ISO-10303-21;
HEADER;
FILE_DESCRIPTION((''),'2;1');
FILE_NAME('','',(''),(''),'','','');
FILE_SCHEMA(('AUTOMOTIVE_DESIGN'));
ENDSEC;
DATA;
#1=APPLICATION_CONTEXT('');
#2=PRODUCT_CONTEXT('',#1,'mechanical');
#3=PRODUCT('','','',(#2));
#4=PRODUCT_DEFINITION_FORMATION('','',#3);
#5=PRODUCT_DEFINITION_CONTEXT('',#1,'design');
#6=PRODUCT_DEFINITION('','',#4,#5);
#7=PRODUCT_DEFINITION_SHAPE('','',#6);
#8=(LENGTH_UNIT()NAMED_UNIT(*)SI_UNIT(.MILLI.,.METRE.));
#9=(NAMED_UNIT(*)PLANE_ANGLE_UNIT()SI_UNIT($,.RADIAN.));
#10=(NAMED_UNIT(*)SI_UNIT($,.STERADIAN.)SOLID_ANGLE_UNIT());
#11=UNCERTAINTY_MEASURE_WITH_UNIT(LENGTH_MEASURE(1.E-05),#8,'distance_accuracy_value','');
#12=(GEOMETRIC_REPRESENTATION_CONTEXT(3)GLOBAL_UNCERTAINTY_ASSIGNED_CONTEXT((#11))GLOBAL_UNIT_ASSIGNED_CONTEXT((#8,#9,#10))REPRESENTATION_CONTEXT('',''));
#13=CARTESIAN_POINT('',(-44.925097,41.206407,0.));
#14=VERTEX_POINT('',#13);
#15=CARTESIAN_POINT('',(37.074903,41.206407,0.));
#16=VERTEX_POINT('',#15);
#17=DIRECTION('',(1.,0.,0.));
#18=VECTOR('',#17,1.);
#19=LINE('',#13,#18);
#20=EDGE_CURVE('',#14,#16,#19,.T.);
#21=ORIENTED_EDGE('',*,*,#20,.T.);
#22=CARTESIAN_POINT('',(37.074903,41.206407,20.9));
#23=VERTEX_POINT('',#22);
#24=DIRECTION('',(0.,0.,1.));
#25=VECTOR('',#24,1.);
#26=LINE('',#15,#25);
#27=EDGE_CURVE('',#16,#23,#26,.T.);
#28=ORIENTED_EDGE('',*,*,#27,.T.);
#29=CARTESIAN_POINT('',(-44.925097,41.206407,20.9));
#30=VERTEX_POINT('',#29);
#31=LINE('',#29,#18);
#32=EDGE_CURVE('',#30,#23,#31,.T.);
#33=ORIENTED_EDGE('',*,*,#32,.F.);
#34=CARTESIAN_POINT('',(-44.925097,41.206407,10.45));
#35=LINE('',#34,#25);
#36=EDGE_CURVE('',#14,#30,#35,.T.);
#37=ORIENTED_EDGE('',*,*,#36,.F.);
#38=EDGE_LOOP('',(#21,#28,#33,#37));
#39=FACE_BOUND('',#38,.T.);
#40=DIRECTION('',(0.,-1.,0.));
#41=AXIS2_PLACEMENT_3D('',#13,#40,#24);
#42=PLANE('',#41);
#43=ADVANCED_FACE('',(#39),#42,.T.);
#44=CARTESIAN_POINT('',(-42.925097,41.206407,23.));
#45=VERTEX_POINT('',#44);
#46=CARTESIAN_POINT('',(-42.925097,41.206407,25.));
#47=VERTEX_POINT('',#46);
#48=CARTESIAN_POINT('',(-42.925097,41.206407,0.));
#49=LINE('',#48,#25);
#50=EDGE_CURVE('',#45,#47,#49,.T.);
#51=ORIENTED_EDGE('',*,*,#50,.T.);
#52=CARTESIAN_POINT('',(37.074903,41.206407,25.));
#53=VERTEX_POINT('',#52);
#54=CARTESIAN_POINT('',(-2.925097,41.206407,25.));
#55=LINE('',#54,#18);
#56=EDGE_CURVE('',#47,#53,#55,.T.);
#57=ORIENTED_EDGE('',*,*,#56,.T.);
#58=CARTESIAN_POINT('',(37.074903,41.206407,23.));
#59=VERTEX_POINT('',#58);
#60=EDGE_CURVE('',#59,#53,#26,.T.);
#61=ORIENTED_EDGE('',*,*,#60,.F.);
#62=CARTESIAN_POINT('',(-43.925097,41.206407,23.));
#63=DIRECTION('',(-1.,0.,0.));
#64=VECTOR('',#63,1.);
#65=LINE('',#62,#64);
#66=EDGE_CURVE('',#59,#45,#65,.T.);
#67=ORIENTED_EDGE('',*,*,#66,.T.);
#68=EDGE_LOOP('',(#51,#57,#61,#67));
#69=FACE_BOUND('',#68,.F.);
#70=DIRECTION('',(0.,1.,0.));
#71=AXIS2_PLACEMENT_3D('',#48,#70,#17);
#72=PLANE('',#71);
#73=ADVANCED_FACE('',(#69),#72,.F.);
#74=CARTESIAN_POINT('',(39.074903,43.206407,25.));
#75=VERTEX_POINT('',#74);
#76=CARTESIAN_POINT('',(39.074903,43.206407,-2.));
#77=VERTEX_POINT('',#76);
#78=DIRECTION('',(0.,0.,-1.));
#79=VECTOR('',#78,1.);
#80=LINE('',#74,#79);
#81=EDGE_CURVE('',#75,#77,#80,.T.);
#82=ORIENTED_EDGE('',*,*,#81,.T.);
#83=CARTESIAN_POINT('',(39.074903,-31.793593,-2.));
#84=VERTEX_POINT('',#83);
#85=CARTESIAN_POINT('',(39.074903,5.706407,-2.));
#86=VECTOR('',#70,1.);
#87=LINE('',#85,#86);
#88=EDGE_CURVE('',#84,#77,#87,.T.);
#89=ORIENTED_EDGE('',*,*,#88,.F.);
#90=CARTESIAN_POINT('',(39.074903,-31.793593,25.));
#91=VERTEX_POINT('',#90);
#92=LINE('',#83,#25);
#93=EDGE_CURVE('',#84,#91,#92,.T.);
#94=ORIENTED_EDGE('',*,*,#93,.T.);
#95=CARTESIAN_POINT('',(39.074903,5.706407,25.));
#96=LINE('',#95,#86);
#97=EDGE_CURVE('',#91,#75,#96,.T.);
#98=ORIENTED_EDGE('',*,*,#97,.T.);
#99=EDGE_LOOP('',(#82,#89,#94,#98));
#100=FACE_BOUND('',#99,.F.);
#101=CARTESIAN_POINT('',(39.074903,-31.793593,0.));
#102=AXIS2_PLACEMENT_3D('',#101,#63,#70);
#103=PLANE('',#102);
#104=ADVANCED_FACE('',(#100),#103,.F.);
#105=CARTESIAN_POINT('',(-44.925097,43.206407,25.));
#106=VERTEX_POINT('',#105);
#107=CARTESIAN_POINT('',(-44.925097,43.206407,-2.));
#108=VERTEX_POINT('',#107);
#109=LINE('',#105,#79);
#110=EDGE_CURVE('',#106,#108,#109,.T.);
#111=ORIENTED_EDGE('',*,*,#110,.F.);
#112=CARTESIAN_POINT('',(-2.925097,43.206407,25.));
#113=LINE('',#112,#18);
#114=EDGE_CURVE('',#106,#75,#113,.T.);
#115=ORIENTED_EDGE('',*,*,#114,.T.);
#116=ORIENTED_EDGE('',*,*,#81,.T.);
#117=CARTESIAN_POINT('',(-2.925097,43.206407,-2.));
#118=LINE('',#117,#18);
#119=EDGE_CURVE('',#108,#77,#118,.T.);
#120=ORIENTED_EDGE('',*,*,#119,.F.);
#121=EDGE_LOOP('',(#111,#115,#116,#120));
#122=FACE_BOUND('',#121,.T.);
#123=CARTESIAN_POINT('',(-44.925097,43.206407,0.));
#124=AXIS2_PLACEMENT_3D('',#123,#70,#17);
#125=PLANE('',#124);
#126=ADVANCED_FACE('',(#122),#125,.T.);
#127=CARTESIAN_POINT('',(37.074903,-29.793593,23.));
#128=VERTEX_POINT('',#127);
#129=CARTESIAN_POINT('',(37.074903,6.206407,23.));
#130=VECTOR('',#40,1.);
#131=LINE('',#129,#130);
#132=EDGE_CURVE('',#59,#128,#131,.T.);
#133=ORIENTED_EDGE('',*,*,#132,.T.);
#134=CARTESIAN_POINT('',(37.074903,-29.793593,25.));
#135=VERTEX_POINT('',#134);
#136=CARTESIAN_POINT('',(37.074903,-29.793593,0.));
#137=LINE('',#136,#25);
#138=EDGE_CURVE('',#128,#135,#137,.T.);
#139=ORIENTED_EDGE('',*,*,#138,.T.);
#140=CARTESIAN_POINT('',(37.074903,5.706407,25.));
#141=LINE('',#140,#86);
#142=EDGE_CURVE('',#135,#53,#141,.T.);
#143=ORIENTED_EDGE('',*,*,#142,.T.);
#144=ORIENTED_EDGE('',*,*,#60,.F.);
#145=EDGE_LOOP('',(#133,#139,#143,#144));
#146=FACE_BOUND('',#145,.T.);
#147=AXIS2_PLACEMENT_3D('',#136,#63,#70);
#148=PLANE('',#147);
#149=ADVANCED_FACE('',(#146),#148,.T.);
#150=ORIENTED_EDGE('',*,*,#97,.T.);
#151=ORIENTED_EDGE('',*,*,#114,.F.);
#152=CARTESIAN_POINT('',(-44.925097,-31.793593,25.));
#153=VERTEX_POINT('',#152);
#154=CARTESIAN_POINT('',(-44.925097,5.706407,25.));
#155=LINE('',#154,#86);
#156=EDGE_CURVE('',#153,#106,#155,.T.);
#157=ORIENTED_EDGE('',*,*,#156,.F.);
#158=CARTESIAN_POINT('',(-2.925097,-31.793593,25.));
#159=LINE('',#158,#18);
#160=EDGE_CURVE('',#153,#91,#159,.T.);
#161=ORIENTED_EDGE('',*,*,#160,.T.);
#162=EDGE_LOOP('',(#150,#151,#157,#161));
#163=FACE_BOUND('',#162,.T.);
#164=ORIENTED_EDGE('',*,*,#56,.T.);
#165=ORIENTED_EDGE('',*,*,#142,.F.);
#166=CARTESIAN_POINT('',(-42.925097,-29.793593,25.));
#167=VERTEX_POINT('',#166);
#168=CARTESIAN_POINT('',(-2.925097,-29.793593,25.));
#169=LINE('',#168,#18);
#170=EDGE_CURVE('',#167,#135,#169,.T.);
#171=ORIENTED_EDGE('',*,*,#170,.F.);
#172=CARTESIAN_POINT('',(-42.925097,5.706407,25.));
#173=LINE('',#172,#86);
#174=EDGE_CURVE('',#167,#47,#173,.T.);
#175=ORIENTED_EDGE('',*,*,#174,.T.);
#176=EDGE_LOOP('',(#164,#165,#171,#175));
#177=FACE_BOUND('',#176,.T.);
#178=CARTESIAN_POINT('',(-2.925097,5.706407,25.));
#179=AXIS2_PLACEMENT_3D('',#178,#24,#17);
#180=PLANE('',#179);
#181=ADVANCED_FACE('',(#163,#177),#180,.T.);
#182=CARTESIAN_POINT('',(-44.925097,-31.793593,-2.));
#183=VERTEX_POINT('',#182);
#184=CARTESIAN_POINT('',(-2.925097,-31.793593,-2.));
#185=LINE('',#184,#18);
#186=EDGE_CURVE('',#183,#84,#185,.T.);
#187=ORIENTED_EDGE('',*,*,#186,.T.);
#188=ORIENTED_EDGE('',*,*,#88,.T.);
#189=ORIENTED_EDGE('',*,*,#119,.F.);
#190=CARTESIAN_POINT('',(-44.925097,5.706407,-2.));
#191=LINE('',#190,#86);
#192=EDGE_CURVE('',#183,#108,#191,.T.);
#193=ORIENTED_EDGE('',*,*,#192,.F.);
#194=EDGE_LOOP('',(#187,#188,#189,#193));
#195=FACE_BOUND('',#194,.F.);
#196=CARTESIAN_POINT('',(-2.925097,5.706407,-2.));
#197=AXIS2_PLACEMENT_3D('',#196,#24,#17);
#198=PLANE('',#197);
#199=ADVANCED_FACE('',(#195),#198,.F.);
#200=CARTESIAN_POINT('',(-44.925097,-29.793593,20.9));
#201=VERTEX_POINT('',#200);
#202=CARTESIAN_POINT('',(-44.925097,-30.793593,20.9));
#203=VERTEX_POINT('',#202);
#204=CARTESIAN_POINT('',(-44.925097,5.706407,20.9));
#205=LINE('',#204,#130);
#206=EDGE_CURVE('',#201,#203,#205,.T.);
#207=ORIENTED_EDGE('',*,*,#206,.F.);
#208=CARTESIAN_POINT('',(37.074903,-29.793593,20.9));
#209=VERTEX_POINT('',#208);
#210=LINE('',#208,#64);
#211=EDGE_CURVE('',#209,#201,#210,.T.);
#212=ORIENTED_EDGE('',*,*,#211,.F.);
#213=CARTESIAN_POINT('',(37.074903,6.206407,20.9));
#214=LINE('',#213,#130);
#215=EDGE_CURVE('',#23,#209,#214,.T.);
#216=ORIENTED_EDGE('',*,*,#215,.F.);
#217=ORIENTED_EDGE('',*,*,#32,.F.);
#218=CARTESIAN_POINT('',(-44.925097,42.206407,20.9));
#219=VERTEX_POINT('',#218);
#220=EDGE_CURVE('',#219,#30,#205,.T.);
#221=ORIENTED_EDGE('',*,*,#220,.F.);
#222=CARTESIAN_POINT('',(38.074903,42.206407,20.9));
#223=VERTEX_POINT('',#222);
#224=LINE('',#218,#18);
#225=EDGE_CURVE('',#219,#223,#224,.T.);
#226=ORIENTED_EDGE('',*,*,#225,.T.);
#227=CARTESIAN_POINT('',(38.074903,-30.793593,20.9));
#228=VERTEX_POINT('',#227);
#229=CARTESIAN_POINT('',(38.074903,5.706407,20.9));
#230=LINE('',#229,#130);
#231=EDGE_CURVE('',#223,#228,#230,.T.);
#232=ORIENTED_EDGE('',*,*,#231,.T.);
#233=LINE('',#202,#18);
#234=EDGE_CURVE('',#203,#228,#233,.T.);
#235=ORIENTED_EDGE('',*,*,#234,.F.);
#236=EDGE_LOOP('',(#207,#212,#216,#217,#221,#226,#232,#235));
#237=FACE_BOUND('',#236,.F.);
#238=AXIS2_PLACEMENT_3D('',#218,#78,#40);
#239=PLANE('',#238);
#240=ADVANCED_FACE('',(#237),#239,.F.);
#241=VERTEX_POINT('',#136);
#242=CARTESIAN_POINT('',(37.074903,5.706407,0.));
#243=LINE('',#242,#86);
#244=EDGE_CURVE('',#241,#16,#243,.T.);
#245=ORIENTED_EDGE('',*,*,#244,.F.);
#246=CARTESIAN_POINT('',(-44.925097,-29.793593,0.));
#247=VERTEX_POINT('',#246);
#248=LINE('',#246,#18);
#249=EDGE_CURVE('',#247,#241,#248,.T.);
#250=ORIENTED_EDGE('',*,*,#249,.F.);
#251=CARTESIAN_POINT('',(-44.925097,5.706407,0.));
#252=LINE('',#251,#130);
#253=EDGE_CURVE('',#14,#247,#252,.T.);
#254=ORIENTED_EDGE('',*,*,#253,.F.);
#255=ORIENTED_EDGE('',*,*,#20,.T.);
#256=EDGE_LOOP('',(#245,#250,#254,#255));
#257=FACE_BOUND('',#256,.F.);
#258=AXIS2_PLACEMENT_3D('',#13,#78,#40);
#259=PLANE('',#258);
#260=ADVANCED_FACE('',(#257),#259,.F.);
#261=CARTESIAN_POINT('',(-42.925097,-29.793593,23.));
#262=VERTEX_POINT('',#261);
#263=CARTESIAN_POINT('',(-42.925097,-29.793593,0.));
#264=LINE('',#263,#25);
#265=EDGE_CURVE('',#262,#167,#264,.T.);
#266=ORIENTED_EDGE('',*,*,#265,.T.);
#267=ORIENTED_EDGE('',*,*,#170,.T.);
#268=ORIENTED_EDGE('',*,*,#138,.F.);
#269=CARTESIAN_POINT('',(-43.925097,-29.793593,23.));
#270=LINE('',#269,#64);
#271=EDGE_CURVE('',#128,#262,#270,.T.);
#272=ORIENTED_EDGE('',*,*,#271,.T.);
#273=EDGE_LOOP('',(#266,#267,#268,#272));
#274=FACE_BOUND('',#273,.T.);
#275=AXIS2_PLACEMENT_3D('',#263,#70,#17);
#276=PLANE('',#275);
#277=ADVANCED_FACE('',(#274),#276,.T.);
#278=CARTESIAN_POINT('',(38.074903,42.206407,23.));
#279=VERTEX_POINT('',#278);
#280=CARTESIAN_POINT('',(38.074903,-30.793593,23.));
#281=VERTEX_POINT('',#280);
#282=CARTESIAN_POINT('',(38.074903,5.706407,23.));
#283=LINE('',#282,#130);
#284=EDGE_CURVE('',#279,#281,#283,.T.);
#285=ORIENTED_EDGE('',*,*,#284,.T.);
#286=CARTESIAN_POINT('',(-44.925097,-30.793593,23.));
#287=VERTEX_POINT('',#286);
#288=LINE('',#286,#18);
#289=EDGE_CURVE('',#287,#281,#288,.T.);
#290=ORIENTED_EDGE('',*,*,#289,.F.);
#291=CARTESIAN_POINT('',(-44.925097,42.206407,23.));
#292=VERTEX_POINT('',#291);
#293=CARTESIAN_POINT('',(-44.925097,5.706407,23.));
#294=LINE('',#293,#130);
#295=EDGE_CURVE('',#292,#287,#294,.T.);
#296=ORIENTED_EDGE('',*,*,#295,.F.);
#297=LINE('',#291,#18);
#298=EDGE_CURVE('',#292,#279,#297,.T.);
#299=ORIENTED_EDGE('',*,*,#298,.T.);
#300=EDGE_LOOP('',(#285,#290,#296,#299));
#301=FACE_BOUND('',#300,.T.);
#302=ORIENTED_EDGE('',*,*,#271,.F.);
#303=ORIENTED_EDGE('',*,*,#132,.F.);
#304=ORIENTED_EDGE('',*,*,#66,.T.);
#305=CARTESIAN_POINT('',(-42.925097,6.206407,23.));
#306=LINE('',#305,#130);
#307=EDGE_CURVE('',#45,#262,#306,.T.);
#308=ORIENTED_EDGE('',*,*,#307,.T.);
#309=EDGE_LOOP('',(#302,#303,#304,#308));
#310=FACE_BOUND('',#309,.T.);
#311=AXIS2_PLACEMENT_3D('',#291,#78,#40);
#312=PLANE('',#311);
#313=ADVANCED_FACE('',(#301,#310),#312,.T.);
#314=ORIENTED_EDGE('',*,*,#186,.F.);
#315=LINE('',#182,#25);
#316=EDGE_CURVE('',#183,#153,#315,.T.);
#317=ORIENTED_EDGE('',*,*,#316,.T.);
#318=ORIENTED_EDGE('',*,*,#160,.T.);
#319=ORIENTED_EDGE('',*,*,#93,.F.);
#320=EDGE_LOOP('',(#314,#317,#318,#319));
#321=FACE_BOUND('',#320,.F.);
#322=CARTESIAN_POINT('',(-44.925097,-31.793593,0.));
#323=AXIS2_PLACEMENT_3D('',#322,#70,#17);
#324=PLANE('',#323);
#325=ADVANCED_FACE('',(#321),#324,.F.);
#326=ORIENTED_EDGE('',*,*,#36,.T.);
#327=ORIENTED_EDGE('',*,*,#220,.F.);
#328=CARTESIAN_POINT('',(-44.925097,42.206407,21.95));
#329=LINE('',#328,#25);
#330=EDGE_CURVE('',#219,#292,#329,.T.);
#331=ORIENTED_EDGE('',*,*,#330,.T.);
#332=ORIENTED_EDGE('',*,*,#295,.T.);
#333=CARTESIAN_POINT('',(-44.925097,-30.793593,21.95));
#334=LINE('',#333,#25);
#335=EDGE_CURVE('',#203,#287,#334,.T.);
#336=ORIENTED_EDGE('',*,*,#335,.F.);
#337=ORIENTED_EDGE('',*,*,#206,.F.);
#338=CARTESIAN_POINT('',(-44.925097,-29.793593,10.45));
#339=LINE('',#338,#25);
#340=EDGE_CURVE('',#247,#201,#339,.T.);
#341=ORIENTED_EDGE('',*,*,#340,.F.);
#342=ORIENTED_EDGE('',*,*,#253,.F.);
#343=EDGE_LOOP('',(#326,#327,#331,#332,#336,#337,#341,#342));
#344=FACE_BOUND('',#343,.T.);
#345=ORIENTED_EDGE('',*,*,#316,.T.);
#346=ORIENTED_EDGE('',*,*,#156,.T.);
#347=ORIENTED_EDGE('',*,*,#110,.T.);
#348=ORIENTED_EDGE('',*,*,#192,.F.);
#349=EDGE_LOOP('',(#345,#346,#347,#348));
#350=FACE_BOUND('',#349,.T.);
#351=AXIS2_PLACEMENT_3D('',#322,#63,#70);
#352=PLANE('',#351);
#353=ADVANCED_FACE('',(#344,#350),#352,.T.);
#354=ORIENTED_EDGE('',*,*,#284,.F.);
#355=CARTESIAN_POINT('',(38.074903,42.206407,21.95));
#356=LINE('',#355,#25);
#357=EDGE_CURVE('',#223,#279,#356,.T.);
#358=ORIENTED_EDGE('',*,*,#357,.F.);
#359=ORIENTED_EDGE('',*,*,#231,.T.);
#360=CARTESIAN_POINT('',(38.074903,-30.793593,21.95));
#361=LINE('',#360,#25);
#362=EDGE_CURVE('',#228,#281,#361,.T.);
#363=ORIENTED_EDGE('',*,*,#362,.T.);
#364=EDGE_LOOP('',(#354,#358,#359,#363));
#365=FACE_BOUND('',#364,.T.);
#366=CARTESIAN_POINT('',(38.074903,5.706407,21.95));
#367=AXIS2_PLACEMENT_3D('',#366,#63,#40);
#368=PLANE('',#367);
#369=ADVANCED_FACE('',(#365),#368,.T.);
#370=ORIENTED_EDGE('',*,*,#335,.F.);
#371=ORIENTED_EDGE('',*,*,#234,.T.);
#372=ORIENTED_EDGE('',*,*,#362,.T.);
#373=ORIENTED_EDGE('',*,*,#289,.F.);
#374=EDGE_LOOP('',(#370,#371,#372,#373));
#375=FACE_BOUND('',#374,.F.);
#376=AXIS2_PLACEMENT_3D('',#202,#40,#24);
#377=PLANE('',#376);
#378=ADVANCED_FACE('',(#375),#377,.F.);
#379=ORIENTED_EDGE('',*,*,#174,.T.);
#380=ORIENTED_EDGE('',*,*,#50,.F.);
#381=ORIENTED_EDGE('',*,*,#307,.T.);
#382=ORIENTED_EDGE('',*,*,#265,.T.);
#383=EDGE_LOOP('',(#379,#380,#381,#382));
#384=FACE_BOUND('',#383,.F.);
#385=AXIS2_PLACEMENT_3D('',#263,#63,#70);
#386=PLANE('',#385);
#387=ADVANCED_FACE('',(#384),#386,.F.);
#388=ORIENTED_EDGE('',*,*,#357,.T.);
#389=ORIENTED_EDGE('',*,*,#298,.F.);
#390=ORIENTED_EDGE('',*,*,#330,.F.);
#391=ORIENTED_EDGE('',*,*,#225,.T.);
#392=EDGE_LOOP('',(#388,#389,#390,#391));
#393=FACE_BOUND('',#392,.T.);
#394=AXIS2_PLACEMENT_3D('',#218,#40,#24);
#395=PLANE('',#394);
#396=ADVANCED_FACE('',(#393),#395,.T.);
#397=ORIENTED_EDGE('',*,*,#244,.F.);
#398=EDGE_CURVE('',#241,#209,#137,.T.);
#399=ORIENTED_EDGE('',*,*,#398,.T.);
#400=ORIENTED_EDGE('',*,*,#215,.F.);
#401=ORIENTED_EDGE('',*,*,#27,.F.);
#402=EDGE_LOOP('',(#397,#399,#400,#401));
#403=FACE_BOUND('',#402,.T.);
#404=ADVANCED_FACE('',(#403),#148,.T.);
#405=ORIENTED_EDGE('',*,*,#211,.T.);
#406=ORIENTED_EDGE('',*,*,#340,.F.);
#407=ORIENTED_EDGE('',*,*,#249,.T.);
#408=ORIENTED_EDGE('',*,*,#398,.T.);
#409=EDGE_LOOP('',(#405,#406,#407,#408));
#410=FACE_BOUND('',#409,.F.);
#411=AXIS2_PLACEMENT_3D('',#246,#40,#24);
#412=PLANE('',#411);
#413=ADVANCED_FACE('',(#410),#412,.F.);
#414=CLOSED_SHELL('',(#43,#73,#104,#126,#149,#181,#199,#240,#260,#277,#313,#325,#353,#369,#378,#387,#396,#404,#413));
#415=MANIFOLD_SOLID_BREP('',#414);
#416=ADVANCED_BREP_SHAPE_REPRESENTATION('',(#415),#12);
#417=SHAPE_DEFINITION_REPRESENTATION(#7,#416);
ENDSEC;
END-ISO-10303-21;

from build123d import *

# Parameters (mm, degrees)
F0_W     = 84
F0_H     = 75
F1_DEPTH = 2
F2_W     = 84
F2_H     = 75
F2_W_2   = 80
F2_H_2   = 71
F3_DEPTH = 25
F4_W     = 73
F4_H     = 2.1
F5_DEPTH = 83
F6_W     = 71
F6_H     = 20.9
F7_DEPTH = 2


with BuildPart() as f1:
    # F0 (on Top) → F1 (new body)
    with BuildSketch(Plane.XY):
        with Locations((-2.925097, 5.706407)):
            Rectangle(F0_W, F0_H)
    extrude(amount=-F1_DEPTH)

    # F2 (on face) → F3 (join)
    with BuildSketch(Plane.XY):
        with Locations((-2.925097, 5.706407)):
            Rectangle(F2_W, F2_H)
        with Locations((-2.925097, 5.706407)):
            Rectangle(F2_W_2, F2_H_2, mode=Mode.SUBTRACT)
    extrude(amount=F3_DEPTH)

    # F4 (on face) → F5 (cut)
    with BuildSketch(Plane(origin=(-44.925097, 0, 0), x_dir=(0, -1, 0), z_dir=(-1, 0, 0))):
        with Locations((-5.706407, 21.95)):
            Rectangle(F4_W, F4_H)
    extrude(amount=-F5_DEPTH, mode=Mode.SUBTRACT)

    # F6 (on face) → F7 (cut)
    with BuildSketch(Plane(origin=(-44.925097, 0, 0), x_dir=(0, -1, 0), z_dir=(-1, 0, 0))):
        with Locations((-5.706407, 10.45)):
            Rectangle(F6_W, F6_H)
    extrude(amount=-F7_DEPTH, mode=Mode.SUBTRACT)


solid = f1.part
